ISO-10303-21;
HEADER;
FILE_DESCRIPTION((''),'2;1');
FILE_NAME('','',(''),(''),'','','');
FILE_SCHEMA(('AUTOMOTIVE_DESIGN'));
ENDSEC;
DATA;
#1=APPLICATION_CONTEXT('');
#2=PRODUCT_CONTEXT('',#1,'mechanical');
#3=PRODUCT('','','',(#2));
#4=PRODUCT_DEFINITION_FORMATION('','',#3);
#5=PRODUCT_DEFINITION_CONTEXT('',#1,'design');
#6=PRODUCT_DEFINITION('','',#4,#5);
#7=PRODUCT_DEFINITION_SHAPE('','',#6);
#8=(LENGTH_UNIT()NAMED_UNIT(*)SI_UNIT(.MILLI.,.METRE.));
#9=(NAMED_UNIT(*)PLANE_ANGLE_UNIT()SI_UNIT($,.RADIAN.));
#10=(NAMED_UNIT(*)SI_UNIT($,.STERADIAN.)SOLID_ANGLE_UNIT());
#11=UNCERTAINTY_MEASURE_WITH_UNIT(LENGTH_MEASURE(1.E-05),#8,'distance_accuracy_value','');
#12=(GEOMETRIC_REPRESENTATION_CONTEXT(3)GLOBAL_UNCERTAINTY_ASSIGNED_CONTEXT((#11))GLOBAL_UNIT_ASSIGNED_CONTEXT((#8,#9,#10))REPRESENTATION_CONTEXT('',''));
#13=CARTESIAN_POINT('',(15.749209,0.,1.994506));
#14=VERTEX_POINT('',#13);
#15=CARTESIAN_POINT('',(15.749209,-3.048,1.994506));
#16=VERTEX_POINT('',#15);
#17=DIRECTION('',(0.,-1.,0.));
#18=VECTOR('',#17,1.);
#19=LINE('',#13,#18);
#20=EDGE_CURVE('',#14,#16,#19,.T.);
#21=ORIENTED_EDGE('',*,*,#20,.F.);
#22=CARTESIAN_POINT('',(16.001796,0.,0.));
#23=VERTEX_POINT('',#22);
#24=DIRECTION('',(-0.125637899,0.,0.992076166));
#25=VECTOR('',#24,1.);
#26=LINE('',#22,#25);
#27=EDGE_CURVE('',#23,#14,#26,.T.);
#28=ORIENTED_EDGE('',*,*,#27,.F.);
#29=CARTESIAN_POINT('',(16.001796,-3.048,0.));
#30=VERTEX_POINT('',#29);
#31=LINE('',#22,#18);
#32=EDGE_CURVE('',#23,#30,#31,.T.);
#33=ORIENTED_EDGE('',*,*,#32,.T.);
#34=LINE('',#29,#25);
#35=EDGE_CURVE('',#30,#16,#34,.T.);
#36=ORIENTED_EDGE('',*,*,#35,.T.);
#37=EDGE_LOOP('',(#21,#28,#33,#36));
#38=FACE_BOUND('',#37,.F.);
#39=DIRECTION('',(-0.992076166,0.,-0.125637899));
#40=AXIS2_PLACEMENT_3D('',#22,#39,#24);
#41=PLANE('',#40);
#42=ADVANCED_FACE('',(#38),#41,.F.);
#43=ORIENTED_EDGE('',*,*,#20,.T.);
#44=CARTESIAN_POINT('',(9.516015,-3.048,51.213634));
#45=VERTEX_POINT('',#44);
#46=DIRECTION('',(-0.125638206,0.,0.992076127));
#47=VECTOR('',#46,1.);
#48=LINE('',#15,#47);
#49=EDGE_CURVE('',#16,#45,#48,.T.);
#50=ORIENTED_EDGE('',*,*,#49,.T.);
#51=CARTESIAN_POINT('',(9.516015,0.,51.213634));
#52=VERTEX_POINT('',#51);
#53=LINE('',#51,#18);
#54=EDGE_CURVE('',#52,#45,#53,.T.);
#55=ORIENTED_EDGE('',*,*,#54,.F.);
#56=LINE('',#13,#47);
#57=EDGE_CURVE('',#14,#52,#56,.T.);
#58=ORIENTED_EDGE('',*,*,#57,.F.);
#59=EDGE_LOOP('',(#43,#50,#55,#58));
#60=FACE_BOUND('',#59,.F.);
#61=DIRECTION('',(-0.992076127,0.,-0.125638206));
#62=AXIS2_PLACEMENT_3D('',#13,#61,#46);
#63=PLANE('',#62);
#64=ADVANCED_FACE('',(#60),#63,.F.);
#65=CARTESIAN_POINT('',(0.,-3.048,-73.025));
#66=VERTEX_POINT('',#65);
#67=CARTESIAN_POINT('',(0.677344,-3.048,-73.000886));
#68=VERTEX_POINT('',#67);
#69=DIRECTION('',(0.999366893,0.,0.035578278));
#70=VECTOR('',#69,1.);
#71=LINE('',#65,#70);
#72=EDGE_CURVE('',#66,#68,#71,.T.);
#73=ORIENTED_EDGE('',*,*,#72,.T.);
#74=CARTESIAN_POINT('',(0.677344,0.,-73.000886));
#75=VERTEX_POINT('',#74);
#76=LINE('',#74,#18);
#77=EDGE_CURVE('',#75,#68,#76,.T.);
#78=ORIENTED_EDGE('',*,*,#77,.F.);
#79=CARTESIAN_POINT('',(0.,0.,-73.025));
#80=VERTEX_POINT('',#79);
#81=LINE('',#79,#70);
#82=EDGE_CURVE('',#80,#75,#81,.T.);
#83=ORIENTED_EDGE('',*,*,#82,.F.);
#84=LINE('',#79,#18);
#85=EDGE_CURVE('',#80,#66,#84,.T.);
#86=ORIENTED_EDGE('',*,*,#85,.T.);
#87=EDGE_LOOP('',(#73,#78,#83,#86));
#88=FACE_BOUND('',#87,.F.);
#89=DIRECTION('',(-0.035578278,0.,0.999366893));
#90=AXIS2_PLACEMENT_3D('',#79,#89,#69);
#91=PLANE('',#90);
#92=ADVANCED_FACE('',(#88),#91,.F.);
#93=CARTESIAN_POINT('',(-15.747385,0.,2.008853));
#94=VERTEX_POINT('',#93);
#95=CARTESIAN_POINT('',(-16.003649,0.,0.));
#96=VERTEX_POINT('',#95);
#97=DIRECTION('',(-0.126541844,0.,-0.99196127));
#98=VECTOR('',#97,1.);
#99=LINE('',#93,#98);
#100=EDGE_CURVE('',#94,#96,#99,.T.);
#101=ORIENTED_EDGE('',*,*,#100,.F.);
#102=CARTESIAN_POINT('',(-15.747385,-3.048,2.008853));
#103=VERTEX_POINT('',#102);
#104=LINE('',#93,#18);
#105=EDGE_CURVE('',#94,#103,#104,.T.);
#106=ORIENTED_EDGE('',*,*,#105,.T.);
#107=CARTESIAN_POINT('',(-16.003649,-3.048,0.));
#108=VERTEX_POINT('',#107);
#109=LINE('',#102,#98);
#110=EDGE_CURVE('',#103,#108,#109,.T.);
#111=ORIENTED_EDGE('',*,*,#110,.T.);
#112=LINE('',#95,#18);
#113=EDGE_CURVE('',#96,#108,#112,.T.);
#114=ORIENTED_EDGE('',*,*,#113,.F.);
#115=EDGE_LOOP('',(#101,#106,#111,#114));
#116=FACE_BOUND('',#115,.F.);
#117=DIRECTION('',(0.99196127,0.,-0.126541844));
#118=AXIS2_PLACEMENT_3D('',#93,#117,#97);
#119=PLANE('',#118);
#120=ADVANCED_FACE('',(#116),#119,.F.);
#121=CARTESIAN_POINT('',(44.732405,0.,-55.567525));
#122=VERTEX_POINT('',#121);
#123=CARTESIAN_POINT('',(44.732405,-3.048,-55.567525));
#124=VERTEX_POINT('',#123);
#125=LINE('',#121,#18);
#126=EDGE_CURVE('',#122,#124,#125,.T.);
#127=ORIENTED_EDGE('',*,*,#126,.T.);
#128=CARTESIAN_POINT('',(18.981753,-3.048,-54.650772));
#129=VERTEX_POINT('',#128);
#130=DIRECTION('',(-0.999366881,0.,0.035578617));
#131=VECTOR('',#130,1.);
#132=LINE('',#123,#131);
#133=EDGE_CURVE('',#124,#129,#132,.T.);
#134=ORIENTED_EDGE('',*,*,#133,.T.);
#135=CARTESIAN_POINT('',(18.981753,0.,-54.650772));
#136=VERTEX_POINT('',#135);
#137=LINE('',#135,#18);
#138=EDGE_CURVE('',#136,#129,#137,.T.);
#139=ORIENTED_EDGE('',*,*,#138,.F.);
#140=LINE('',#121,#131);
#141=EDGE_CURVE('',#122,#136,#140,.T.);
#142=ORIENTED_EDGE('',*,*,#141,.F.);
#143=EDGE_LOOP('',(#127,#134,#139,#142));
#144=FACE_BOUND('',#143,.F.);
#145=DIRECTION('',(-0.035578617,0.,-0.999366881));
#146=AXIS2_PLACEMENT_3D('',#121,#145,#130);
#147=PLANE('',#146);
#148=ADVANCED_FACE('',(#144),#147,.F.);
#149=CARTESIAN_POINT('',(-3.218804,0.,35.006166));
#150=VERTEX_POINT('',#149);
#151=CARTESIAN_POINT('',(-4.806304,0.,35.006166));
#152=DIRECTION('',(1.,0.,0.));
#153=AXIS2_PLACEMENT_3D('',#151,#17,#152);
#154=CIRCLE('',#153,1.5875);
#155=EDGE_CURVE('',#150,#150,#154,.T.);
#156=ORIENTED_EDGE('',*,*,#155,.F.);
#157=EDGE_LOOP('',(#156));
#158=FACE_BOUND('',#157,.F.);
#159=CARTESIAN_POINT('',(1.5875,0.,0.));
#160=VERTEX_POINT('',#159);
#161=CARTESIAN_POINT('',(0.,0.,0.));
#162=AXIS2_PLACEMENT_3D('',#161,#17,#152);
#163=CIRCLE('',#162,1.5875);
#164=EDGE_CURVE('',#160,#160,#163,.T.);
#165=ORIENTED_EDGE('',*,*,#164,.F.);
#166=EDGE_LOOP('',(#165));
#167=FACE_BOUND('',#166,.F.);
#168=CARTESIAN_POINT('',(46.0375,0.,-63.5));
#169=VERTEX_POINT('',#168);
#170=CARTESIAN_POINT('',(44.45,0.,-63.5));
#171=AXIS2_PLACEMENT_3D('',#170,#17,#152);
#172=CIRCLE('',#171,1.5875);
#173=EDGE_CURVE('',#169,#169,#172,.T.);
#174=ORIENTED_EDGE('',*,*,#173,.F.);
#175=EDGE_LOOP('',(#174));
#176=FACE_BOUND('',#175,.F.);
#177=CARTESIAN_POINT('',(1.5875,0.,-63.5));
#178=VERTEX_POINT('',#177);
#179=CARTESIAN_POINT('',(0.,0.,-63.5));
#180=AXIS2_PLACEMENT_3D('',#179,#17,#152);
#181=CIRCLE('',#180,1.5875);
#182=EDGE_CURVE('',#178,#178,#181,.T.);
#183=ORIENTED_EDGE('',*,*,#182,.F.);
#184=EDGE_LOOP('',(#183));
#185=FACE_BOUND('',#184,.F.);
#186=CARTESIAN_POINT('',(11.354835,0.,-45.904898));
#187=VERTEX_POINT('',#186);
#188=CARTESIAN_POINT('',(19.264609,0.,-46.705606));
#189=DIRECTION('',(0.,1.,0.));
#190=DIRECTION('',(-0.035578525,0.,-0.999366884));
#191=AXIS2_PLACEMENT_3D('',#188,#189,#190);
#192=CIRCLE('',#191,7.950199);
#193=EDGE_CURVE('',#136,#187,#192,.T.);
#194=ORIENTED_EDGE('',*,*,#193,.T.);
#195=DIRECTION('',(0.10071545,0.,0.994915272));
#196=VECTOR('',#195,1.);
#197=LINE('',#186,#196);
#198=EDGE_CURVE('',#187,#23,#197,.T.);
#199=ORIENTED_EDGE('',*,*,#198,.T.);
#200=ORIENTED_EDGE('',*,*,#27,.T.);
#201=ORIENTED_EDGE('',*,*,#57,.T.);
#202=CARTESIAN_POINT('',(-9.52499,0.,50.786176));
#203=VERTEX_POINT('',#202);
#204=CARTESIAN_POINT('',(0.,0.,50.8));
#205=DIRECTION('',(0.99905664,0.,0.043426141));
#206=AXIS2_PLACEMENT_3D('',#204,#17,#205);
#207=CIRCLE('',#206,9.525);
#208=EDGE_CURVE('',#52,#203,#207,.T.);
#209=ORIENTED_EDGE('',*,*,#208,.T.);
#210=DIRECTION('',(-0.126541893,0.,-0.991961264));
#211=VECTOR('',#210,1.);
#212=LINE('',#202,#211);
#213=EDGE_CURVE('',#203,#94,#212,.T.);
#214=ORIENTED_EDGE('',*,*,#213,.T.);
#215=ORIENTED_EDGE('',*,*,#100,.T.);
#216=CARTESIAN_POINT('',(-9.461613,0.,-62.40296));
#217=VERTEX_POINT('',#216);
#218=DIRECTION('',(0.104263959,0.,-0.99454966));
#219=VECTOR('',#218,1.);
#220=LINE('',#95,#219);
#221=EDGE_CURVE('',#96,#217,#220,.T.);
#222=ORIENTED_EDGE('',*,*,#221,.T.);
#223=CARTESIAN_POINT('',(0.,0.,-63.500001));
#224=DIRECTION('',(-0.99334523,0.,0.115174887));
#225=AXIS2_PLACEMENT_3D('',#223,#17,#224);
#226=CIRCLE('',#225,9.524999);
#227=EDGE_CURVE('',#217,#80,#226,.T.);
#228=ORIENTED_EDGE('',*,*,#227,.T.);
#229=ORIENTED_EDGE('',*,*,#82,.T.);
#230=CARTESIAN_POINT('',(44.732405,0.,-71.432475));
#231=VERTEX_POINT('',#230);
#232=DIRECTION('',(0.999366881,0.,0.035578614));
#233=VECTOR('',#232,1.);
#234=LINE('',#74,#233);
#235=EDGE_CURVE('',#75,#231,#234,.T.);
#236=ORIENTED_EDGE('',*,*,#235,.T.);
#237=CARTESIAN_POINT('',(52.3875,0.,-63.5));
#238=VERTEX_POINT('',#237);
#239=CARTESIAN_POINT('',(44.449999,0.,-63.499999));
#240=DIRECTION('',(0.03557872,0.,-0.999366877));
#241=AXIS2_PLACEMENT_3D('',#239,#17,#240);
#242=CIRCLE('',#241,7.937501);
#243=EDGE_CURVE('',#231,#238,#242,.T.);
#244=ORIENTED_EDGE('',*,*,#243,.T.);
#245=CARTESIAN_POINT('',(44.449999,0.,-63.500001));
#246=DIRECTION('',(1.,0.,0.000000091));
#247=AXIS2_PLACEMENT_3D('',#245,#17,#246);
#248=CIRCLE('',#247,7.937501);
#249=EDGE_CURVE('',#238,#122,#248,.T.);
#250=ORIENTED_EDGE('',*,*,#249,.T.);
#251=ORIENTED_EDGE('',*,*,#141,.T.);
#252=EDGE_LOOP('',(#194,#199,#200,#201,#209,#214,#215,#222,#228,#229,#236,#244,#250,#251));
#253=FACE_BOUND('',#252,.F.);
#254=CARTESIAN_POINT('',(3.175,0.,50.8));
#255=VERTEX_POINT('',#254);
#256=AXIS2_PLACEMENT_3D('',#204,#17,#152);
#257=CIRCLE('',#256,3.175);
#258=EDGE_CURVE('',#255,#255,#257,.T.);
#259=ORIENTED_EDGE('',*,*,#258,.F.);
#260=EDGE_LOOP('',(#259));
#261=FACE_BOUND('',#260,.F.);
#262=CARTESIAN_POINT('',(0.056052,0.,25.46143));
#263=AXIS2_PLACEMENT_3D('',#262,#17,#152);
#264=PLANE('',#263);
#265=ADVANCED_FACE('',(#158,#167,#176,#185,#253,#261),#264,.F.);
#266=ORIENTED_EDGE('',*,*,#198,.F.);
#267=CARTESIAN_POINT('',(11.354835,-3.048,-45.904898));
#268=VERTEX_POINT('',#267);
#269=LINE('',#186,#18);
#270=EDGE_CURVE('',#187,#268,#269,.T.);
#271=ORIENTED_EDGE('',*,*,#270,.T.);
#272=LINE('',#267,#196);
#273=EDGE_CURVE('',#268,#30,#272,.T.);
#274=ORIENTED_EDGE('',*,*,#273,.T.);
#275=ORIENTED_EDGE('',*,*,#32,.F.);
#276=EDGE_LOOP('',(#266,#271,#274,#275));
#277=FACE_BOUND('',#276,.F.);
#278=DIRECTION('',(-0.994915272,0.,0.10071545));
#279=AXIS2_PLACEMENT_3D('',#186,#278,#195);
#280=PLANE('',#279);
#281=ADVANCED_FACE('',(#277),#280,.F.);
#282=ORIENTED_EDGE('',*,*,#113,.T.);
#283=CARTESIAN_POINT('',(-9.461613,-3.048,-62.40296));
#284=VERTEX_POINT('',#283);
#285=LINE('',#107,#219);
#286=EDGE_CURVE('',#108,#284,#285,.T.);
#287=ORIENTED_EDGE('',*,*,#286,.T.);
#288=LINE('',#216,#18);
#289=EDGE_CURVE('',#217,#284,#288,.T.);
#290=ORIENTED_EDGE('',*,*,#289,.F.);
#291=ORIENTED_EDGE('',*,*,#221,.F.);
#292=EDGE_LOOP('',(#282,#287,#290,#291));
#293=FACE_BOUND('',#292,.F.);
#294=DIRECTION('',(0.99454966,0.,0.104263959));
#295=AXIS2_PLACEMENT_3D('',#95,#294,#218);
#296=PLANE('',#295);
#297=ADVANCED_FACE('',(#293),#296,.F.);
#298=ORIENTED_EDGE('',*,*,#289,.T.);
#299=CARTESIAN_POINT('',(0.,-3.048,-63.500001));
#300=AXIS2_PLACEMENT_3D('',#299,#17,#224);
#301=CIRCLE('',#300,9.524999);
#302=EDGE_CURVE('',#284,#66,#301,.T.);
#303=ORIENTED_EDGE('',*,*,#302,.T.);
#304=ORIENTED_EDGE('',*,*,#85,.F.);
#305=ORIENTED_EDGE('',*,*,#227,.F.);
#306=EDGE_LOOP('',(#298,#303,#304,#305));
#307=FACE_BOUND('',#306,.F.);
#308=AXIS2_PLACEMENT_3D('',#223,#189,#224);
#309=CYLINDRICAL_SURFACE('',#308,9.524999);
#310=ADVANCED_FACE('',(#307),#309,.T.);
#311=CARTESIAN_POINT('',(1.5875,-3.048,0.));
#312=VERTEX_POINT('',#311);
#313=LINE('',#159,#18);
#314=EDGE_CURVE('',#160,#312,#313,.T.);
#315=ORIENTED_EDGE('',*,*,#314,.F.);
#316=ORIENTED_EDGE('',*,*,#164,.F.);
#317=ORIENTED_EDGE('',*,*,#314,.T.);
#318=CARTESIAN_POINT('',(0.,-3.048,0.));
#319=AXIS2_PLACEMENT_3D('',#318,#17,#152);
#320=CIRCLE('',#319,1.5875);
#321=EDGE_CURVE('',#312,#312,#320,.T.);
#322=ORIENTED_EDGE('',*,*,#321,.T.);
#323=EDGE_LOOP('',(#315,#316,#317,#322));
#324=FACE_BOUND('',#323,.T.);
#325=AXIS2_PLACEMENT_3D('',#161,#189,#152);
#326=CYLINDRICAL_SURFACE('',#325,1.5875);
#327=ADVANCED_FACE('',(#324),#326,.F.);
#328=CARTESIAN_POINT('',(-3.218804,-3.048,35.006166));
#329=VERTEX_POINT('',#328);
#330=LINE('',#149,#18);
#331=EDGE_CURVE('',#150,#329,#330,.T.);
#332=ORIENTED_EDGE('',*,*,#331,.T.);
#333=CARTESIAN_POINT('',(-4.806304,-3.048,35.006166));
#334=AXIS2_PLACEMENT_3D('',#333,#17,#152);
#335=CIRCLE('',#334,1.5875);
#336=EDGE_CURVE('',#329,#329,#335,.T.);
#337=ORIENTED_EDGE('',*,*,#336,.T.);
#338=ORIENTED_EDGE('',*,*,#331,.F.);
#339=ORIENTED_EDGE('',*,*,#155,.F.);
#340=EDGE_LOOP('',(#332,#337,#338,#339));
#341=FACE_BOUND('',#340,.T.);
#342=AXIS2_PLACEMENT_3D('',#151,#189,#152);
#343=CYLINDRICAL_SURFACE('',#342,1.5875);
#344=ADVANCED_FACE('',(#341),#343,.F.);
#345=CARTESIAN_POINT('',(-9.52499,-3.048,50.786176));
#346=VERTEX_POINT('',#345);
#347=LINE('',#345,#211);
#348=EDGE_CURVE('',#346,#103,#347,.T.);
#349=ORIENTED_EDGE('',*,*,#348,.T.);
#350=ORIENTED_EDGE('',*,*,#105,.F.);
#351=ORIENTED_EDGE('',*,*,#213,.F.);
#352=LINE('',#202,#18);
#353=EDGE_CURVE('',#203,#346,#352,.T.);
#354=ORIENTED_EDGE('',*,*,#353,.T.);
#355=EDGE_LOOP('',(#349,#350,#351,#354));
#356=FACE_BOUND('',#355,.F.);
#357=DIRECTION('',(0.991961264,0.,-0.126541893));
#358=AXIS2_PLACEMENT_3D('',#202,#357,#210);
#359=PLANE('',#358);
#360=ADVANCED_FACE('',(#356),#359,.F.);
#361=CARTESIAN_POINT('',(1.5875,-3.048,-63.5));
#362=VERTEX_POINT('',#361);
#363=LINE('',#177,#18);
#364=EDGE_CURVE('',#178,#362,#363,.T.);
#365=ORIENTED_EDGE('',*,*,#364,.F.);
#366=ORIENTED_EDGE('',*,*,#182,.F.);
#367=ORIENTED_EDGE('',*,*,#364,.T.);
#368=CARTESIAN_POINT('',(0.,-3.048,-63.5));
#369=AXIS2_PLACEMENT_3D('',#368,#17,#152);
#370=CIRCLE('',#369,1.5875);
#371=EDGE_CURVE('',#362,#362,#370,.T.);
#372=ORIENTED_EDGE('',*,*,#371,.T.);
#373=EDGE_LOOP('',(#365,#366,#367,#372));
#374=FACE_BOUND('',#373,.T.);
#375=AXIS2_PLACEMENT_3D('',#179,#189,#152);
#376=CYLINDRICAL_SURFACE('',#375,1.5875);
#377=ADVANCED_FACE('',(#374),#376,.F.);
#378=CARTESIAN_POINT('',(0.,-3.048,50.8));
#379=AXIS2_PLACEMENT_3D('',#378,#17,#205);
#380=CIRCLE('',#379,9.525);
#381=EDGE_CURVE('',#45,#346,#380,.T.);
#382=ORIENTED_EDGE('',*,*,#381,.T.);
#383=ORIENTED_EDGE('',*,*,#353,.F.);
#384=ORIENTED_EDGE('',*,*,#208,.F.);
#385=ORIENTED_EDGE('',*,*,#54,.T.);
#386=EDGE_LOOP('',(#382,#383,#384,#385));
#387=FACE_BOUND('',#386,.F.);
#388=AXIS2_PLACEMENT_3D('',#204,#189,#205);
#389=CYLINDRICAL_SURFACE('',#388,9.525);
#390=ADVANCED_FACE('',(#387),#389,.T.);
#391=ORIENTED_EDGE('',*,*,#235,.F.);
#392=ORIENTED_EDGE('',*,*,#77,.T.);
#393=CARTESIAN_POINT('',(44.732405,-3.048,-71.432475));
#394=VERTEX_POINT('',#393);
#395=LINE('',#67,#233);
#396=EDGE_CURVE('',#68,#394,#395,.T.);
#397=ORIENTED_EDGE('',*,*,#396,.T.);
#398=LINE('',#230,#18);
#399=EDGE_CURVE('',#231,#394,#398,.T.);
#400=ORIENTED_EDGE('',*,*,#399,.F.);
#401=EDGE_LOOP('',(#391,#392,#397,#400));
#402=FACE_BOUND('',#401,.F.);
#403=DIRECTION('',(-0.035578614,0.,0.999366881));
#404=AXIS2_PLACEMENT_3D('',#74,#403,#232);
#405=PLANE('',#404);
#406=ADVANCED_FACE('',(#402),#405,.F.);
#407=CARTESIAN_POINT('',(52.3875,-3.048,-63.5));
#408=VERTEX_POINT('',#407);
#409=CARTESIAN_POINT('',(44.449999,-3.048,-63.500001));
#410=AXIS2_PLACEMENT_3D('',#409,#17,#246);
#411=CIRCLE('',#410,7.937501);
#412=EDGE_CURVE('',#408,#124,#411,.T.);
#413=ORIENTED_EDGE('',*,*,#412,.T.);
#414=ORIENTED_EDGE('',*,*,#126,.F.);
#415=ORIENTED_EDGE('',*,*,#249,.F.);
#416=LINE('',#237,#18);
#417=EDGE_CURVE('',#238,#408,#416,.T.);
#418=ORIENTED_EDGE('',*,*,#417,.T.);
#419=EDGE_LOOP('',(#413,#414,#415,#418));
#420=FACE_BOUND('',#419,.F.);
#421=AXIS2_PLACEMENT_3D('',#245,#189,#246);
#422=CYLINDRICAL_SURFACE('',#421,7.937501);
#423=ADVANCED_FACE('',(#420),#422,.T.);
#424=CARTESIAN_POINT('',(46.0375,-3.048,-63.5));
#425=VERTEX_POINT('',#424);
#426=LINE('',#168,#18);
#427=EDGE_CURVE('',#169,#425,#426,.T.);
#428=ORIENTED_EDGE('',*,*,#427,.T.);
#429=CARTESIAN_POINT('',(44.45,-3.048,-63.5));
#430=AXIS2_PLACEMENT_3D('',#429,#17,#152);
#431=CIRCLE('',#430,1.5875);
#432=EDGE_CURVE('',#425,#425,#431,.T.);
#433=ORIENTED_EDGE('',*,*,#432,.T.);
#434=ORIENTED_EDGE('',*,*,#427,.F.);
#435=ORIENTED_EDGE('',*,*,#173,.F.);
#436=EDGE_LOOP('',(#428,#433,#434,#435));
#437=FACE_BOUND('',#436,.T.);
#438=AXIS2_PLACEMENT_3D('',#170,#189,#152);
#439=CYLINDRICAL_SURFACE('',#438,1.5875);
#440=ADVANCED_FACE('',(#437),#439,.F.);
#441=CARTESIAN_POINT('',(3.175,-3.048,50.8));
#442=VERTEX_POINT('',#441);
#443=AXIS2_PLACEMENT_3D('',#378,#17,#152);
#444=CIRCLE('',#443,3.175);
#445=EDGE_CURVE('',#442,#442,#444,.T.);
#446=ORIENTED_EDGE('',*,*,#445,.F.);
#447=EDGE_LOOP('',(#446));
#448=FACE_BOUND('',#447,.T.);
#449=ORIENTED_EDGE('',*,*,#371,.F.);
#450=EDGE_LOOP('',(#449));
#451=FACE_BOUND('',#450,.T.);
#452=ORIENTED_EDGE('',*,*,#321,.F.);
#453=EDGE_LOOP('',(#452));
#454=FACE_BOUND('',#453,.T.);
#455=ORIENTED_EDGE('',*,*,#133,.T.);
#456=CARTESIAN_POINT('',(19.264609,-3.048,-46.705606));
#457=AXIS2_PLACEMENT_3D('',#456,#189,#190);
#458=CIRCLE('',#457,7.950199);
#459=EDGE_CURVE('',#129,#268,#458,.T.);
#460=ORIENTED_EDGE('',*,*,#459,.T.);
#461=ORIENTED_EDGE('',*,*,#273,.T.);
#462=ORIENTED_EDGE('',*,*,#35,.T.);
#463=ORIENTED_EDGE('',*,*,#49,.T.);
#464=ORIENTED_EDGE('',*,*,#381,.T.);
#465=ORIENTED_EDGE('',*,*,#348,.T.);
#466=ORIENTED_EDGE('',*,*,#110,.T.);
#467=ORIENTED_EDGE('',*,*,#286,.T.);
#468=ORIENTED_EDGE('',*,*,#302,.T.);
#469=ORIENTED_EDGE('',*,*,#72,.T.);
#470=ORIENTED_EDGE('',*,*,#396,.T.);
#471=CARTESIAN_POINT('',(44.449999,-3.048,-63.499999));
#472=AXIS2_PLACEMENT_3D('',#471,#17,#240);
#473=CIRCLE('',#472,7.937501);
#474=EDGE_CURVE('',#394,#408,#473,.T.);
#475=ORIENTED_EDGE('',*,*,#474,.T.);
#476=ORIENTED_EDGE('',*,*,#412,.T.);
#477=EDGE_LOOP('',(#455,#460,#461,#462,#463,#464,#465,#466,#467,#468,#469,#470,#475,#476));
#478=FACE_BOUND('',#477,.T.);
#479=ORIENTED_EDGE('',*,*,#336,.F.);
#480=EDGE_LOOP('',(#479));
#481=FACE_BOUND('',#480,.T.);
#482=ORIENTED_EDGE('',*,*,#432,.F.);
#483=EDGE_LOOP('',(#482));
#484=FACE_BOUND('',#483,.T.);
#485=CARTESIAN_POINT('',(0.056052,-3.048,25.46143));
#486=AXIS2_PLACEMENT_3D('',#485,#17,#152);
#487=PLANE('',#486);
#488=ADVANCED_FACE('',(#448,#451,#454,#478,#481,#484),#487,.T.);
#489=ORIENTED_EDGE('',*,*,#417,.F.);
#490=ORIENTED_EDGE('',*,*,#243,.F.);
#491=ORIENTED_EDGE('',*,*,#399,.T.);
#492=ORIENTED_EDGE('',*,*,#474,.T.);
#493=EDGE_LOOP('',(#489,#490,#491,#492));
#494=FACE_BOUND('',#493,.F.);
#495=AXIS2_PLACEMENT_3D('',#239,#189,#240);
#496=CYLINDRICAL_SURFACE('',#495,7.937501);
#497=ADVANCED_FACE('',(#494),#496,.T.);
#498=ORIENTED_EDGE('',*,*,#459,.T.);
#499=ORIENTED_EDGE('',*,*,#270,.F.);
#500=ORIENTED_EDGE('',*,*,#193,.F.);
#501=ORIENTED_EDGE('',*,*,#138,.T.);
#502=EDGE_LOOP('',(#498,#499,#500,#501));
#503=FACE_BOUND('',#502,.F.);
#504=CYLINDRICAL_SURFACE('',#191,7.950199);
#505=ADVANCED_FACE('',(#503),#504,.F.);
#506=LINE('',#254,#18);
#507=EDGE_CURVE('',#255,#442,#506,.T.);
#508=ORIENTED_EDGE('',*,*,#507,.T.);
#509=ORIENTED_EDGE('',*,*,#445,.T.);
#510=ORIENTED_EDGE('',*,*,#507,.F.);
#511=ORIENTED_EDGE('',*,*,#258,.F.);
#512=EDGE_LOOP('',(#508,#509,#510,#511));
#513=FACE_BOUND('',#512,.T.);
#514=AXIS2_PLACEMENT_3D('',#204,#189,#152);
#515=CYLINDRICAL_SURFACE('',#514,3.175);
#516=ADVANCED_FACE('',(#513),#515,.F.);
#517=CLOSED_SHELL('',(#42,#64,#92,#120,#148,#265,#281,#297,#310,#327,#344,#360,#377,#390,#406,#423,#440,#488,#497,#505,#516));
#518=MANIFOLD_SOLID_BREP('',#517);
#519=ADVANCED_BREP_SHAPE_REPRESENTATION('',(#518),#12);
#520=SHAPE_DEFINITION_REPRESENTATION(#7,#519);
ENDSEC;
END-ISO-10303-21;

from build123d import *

# Parameters (mm, degrees)
F0_R     = 1.5875
F0_R_2   = 3.175
F1_DEPTH = 3.048


with BuildPart() as f1:
    # F0 (on Front) → F1 (new body)
    with BuildSketch(Plane.XZ):
        with BuildLine():
            ThreePointArc((9.516015, 51.213634), (9.522753, 51.006866), (9.525, 50.8))
            ThreePointArc((9.525, 50.8), (0.006912, 41.275003), (-9.52499, 50.786176))
            Line((-9.52499, 50.786176), (-15.747385, 2.008853))
            ThreePointArc((-15.747385, 2.008853), (0.007231, 15.874998), (15.749209, 1.994506))
            Line((15.749209, 1.994506), (9.516015, 51.213634))
        make_face()
        with Locations((-4.806304, 35.006166)):
            Circle(F0_R, mode=Mode.SUBTRACT)
        with BuildLine():
            ThreePointArc((-9.52499, 50.786176), (0.006912, 41.275003), (9.525, 50.8))
            ThreePointArc((9.525, 50.8), (9.522753, 51.006866), (9.516015, 51.213634))
            ThreePointArc((9.516015, 51.213634), (-0.213776, 60.322601), (-9.52499, 50.786176))
        make_face()
        with Locations((0, 50.8)):
            Circle(F0_R_2, mode=Mode.SUBTRACT)
        with BuildLine():
            ThreePointArc((15.875, 0), (15.843521, 0.999235), (15.749209, 1.994506))
            ThreePointArc((15.749209, 1.994506), (0.007231, 15.874998), (-15.747385, 2.008853))
            ThreePointArc((-15.747385, 2.008853), (-1.006451, -15.843064), (15.875, 0))
        make_face()
        Circle(F0_R, mode=Mode.SUBTRACT)
        with BuildLine():
            Line((16.001796, 0), (15.749209, 1.994506))
            ThreePointArc((15.749209, 1.994506), (15.843521, 0.999235), (15.875, 0))
            ThreePointArc((15.875, 0), (-1.006451, -15.843064), (-15.747385, 2.008853))
            Line((-15.747385, 2.008853), (-16.003649, 0))
            Line((-16.003649, 0), (-9.461613, -62.40296))
            ThreePointArc((-9.461613, -62.40296), (0.549435, -53.99086), (9.525, -63.5))
            ThreePointArc((9.525, -63.5), (6.970557, -69.991299), (0.677344, -73.000886))
            Line((0.677344, -73.000886), (44.732405, -71.432475))
            ThreePointArc((44.732405, -71.432475), (36.5125, -63.5), (44.732405, -55.567525))
            Line((44.732405, -55.567525), (18.981753, -54.650772))
            ThreePointArc((18.981753, -54.650772), (13.27275, -51.930861), (11.354835, -45.904898))
            Line((11.354835, -45.904898), (16.001796, 0))
        make_face()
        with BuildLine():
            ThreePointArc((9.525, -63.5), (0.549435, -53.99086), (-9.461613, -62.40296))
            ThreePointArc((-9.461613, -62.40296), (-7.112487, -69.835468), (0, -73.025))
            Line((0, -73.025), (0.677344, -73.000886))
            ThreePointArc((0.677344, -73.000886), (6.970557, -69.991299), (9.525, -63.5))
        make_face()
        with Locations((0, -63.5)):
            Circle(F0_R, mode=Mode.SUBTRACT)
        with BuildLine():
            ThreePointArc((52.3875, -63.5), (50.161633, -57.98809), (44.732405, -55.567525))
            ThreePointArc((44.732405, -55.567525), (36.5125, -63.5), (44.732405, -71.432475))
            ThreePointArc((44.732405, -71.432475), (50.161633, -69.01191), (52.3875, -63.5))
        make_face()
        with Locations((44.45, -63.5)):
            Circle(F0_R, mode=Mode.SUBTRACT)
    extrude(amount=F1_DEPTH)


solid = f1.part
